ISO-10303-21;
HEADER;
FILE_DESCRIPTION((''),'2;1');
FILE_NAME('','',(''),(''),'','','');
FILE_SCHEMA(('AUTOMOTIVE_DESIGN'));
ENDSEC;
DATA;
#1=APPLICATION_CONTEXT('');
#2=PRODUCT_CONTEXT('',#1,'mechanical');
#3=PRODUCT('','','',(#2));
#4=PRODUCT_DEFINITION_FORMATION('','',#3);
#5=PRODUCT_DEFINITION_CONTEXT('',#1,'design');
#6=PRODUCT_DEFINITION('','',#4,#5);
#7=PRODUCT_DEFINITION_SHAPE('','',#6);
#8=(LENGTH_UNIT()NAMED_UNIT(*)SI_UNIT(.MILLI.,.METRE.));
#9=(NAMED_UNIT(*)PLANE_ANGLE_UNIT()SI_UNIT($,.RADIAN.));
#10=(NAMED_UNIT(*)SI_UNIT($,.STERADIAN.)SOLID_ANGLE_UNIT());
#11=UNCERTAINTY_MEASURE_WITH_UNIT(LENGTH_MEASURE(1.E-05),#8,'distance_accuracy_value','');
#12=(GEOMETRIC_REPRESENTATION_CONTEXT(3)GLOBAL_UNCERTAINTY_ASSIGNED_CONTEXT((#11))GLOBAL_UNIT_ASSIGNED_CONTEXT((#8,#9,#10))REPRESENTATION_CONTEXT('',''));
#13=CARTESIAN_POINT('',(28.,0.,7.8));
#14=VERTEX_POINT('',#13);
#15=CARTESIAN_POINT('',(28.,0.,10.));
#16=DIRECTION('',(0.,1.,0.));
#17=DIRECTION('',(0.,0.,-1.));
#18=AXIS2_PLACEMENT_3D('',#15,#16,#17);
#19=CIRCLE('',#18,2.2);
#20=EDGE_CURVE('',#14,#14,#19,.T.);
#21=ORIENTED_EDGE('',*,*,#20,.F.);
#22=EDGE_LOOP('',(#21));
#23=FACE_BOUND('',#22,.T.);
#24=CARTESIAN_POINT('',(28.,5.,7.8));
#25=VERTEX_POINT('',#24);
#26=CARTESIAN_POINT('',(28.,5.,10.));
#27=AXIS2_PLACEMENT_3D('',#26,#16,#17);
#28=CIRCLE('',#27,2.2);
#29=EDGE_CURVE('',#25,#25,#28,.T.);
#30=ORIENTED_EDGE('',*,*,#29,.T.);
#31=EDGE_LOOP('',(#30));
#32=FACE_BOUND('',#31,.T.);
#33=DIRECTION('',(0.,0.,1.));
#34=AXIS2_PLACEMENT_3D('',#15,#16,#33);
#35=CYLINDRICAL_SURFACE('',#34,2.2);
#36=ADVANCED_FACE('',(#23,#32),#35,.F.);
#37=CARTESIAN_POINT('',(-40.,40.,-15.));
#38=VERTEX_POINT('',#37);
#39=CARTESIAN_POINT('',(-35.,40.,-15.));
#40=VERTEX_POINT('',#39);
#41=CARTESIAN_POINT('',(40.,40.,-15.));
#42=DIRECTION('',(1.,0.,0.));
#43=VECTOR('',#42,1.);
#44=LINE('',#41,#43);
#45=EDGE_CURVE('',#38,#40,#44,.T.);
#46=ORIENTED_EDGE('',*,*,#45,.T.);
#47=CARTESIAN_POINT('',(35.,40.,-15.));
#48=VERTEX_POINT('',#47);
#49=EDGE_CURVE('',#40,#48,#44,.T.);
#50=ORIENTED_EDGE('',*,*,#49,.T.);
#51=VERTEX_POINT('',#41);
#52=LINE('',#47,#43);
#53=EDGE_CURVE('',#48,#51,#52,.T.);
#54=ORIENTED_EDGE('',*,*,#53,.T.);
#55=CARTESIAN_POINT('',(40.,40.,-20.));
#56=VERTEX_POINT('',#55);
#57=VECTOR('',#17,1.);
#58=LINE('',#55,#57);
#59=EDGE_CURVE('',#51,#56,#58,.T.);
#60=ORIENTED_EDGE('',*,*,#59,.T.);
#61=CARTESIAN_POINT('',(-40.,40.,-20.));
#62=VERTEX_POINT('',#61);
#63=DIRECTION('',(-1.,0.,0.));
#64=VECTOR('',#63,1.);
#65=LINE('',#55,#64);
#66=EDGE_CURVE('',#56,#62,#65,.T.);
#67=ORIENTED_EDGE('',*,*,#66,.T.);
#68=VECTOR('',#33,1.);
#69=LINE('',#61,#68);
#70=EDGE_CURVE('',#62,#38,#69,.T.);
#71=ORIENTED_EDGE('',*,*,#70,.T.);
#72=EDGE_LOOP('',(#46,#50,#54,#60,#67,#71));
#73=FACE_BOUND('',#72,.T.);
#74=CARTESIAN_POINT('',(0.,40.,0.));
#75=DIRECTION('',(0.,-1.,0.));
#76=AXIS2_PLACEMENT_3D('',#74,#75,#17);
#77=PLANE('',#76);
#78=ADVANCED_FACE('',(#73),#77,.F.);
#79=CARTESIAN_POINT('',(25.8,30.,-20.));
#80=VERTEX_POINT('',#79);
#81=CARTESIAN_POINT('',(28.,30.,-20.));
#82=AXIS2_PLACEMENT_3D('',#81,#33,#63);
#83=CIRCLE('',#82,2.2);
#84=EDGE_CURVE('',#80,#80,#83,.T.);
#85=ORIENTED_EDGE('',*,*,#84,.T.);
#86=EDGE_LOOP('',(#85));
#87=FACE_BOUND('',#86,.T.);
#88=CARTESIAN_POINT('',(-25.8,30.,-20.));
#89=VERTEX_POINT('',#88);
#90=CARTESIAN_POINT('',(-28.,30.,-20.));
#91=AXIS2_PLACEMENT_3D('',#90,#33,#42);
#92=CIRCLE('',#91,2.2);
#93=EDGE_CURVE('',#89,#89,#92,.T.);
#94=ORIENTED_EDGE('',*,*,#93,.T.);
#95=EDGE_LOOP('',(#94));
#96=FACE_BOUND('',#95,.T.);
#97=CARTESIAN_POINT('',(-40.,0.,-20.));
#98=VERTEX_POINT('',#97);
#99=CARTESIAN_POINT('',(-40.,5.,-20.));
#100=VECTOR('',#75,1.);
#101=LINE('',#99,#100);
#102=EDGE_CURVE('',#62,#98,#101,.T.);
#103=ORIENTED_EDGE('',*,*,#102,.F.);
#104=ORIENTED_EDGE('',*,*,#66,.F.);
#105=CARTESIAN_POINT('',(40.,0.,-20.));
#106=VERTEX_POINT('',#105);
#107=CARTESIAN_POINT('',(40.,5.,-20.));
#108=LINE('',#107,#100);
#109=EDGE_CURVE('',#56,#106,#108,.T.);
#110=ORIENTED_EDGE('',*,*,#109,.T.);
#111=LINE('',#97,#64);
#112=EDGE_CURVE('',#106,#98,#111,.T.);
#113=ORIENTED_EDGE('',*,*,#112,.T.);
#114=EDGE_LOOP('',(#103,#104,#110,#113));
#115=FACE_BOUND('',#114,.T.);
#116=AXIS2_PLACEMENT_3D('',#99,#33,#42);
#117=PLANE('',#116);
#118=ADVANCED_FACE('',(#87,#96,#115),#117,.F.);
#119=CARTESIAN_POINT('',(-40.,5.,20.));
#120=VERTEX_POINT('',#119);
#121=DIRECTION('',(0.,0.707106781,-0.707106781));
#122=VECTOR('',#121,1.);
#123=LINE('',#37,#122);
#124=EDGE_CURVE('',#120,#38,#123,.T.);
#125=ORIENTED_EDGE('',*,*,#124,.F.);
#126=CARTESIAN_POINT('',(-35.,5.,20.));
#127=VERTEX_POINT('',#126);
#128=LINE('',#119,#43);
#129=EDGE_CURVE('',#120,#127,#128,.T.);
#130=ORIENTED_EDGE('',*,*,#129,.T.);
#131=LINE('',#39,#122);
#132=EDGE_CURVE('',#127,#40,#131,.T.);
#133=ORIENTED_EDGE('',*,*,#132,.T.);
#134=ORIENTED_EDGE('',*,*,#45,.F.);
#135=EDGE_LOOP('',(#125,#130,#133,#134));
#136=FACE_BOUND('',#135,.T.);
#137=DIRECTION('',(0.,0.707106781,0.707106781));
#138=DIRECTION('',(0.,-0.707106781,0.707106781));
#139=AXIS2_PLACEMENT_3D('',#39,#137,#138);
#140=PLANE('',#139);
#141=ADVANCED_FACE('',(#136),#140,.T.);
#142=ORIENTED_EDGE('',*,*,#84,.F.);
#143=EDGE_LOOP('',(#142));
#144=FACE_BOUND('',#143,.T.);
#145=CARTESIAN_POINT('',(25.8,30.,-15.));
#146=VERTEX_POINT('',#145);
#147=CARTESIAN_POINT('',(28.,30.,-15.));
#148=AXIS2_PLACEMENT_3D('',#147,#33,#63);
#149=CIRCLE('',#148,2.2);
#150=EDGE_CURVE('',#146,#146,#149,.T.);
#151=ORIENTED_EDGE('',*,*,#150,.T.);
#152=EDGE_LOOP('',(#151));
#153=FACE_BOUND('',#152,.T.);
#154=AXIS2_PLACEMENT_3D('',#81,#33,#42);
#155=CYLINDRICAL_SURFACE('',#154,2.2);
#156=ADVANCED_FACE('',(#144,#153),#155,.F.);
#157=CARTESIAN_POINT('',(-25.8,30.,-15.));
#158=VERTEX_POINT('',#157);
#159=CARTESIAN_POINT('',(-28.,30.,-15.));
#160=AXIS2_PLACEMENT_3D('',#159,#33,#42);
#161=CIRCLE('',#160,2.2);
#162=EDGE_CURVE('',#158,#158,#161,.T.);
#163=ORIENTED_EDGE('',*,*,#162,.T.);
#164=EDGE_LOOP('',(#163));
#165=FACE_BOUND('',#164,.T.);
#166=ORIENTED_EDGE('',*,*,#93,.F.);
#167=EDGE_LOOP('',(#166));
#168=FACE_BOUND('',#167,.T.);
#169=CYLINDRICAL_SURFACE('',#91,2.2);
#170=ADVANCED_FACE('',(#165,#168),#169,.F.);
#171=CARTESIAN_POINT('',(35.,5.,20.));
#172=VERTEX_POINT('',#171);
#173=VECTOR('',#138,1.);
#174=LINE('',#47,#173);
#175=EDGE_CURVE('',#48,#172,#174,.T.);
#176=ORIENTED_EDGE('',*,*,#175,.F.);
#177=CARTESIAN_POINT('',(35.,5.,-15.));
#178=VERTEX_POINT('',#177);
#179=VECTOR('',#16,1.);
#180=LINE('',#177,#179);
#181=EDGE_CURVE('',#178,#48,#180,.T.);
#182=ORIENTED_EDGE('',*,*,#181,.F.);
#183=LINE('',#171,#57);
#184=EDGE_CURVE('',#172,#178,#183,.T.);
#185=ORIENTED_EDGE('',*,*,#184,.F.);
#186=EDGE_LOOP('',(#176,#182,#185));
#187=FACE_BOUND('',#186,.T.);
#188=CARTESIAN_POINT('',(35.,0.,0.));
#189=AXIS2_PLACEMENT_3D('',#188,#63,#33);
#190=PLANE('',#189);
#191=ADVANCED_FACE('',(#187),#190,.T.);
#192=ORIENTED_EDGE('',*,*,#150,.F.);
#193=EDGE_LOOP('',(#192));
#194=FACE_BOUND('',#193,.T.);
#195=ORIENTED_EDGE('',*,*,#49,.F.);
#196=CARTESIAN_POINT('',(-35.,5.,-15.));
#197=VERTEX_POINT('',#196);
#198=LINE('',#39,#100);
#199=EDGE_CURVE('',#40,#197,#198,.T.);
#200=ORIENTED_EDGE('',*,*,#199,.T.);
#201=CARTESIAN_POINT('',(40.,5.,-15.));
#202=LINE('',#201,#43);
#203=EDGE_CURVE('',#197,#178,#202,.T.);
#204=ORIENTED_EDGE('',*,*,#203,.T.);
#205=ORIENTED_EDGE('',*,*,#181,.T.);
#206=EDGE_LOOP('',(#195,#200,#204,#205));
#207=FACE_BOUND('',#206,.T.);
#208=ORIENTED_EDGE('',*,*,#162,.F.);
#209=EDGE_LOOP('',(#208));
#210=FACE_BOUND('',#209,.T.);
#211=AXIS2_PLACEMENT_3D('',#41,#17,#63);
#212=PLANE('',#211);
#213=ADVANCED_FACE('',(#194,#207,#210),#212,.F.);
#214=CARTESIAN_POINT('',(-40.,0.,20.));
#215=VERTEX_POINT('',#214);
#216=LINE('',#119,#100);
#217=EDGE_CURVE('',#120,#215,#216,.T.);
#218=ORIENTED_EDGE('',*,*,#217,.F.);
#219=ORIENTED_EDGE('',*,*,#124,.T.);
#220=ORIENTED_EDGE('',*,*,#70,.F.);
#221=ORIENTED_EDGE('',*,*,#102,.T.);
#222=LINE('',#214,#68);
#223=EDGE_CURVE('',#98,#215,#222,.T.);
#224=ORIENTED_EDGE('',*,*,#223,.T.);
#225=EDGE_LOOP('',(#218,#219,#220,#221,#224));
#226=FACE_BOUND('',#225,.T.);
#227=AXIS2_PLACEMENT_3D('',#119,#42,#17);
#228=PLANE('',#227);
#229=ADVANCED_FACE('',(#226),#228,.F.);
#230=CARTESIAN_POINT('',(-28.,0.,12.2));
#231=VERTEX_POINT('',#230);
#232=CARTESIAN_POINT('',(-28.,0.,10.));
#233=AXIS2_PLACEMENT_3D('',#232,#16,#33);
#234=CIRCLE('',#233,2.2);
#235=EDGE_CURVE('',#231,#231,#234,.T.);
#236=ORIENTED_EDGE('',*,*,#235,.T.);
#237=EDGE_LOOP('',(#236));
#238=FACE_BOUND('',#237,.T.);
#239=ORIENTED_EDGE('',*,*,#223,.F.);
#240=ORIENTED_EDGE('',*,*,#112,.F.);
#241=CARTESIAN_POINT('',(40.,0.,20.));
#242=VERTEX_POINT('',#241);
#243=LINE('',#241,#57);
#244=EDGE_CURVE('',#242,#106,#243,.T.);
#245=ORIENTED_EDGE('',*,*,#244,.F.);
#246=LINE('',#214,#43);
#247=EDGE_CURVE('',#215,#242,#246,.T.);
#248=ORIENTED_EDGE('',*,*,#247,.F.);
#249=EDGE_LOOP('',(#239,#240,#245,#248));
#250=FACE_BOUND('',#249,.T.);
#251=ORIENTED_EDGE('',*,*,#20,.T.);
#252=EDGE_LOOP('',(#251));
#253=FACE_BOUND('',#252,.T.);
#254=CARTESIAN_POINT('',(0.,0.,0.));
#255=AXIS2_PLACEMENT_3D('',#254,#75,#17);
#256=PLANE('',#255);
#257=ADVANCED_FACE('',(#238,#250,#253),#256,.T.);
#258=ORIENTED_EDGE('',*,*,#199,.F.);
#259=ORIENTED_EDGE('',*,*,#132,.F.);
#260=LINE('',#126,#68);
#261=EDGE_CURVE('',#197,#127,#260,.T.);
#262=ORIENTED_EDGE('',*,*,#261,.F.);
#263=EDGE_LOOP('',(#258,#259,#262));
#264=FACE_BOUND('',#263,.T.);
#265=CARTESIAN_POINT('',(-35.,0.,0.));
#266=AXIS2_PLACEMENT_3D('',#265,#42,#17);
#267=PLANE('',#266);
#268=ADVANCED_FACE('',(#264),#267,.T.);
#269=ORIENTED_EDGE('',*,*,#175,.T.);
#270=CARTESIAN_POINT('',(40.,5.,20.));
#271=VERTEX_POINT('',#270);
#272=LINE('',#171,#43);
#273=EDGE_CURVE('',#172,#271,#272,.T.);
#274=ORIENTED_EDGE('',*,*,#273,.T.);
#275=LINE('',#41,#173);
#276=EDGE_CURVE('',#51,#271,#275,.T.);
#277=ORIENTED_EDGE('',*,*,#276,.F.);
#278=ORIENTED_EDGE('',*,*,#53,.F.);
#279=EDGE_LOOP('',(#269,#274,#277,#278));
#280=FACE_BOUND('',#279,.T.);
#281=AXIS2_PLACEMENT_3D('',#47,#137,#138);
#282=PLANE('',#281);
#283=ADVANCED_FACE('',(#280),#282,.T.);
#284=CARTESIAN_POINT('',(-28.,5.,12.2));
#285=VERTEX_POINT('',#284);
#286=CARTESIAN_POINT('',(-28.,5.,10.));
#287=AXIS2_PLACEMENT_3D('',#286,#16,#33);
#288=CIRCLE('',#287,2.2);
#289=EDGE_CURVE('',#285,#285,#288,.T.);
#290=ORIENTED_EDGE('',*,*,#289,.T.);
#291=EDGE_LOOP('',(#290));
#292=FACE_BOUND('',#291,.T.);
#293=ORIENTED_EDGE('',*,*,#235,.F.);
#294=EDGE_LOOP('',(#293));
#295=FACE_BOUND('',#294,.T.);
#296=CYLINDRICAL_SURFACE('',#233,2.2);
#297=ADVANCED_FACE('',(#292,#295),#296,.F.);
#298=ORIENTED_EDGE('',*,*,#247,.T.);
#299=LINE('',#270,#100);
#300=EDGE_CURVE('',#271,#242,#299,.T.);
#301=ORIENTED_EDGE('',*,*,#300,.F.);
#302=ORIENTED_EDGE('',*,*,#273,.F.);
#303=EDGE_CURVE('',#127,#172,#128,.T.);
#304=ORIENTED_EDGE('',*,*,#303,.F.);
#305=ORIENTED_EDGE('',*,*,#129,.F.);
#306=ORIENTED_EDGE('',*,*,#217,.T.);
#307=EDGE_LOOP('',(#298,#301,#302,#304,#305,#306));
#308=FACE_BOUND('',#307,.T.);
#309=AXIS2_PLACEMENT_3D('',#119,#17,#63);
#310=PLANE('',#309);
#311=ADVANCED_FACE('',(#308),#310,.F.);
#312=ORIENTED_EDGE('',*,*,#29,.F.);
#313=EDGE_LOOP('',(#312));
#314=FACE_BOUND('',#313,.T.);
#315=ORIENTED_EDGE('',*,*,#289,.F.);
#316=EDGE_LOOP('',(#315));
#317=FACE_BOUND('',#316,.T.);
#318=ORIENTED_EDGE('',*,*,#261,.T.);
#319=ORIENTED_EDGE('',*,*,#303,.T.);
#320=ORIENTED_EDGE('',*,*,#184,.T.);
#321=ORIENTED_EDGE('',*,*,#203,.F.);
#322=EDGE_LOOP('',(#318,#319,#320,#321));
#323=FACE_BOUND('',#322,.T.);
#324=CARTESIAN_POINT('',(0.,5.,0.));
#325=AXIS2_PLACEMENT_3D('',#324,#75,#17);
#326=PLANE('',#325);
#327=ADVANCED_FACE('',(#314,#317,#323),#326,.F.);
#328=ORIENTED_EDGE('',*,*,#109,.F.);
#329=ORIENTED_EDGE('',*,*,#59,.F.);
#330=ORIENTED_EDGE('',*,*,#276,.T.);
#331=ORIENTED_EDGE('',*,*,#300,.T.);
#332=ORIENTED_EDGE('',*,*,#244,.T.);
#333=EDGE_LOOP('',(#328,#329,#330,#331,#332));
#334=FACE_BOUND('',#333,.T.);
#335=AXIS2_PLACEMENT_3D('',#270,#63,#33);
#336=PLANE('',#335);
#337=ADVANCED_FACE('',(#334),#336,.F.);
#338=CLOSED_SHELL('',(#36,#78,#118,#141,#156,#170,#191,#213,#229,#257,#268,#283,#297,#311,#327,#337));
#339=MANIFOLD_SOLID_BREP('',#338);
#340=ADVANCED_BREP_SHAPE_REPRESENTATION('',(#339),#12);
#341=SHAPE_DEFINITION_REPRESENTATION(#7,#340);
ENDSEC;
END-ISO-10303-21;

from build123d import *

# Parameters (mm, degrees)
SKETCH1_W           = 80
SKETCH1_H           = 40
BOSS_EXTRUDE1_DEPTH = 5
SKETCH2_W           = 80
SKETCH2_H           = 5
BOSS_EXTRUDE2_DEPTH = 35
BOSS_EXTRUDE3_DEPTH = 5
BOSS_EXTRUDE4_DEPTH = 5
SKETCH5_R           = 2.2
CUT_EXTRUDE1_DEPTH  = 6
SKETCH6_R           = 2.2
CUT_EXTRUDE2_DEPTH  = 6


with BuildPart() as part:
    # Sketch1 → Boss-Extrude1 (new body)
    with BuildSketch(Plane(origin=(0, 0, 0), x_dir=(1, 0, 0), z_dir=(0, 1, 0))):
        Rectangle(SKETCH1_W, SKETCH1_H)
    extrude(amount=BOSS_EXTRUDE1_DEPTH)

    # Sketch2 → Boss-Extrude2 (add)
    with BuildSketch(Plane(origin=(0, 5, 0), x_dir=(1, 0, 0), z_dir=(0, 1, 0))):
        with Locations((0, 17.5)):
            Rectangle(SKETCH2_W, SKETCH2_H)
    extrude(amount=BOSS_EXTRUDE2_DEPTH)

    # Sketch3 → Boss-Extrude3 (add)
    with BuildSketch(Plane.ZY.offset(40)):
        Polygon((-15, 40), (20, 5), (-15, 5), align=None)
    extrude(amount=-BOSS_EXTRUDE3_DEPTH)

    # Sketch4 → Boss-Extrude4 (add)
    with BuildSketch(Plane(origin=(40, 0, 0), x_dir=(0, 0, -1), z_dir=(1, 0, 0))):
        Polygon((15, 40), (-20, 5), (15, 5), align=None)
    extrude(amount=-BOSS_EXTRUDE4_DEPTH)

    # Sketch5 → Cut-Extrude1 (cut, through all)
    with BuildSketch(Plane(origin=(0, 5, 0), x_dir=(1, 0, 0), z_dir=(0, 1, 0))):
        with Locations((-28, -10)):
            Circle(SKETCH5_R)
        with Locations((28, -10)):
            Circle(SKETCH5_R)
    extrude(amount=-CUT_EXTRUDE1_DEPTH, mode=Mode.SUBTRACT)

    # Sketch6 → Cut-Extrude2 (cut, through all)
    with BuildSketch(Plane.XY.offset(-15)):
        with Locations((-28, 30)):
            Circle(SKETCH6_R)
        with Locations((28, 30)):
            Circle(SKETCH6_R)
    extrude(amount=-CUT_EXTRUDE2_DEPTH, mode=Mode.SUBTRACT)


solid = part.part
